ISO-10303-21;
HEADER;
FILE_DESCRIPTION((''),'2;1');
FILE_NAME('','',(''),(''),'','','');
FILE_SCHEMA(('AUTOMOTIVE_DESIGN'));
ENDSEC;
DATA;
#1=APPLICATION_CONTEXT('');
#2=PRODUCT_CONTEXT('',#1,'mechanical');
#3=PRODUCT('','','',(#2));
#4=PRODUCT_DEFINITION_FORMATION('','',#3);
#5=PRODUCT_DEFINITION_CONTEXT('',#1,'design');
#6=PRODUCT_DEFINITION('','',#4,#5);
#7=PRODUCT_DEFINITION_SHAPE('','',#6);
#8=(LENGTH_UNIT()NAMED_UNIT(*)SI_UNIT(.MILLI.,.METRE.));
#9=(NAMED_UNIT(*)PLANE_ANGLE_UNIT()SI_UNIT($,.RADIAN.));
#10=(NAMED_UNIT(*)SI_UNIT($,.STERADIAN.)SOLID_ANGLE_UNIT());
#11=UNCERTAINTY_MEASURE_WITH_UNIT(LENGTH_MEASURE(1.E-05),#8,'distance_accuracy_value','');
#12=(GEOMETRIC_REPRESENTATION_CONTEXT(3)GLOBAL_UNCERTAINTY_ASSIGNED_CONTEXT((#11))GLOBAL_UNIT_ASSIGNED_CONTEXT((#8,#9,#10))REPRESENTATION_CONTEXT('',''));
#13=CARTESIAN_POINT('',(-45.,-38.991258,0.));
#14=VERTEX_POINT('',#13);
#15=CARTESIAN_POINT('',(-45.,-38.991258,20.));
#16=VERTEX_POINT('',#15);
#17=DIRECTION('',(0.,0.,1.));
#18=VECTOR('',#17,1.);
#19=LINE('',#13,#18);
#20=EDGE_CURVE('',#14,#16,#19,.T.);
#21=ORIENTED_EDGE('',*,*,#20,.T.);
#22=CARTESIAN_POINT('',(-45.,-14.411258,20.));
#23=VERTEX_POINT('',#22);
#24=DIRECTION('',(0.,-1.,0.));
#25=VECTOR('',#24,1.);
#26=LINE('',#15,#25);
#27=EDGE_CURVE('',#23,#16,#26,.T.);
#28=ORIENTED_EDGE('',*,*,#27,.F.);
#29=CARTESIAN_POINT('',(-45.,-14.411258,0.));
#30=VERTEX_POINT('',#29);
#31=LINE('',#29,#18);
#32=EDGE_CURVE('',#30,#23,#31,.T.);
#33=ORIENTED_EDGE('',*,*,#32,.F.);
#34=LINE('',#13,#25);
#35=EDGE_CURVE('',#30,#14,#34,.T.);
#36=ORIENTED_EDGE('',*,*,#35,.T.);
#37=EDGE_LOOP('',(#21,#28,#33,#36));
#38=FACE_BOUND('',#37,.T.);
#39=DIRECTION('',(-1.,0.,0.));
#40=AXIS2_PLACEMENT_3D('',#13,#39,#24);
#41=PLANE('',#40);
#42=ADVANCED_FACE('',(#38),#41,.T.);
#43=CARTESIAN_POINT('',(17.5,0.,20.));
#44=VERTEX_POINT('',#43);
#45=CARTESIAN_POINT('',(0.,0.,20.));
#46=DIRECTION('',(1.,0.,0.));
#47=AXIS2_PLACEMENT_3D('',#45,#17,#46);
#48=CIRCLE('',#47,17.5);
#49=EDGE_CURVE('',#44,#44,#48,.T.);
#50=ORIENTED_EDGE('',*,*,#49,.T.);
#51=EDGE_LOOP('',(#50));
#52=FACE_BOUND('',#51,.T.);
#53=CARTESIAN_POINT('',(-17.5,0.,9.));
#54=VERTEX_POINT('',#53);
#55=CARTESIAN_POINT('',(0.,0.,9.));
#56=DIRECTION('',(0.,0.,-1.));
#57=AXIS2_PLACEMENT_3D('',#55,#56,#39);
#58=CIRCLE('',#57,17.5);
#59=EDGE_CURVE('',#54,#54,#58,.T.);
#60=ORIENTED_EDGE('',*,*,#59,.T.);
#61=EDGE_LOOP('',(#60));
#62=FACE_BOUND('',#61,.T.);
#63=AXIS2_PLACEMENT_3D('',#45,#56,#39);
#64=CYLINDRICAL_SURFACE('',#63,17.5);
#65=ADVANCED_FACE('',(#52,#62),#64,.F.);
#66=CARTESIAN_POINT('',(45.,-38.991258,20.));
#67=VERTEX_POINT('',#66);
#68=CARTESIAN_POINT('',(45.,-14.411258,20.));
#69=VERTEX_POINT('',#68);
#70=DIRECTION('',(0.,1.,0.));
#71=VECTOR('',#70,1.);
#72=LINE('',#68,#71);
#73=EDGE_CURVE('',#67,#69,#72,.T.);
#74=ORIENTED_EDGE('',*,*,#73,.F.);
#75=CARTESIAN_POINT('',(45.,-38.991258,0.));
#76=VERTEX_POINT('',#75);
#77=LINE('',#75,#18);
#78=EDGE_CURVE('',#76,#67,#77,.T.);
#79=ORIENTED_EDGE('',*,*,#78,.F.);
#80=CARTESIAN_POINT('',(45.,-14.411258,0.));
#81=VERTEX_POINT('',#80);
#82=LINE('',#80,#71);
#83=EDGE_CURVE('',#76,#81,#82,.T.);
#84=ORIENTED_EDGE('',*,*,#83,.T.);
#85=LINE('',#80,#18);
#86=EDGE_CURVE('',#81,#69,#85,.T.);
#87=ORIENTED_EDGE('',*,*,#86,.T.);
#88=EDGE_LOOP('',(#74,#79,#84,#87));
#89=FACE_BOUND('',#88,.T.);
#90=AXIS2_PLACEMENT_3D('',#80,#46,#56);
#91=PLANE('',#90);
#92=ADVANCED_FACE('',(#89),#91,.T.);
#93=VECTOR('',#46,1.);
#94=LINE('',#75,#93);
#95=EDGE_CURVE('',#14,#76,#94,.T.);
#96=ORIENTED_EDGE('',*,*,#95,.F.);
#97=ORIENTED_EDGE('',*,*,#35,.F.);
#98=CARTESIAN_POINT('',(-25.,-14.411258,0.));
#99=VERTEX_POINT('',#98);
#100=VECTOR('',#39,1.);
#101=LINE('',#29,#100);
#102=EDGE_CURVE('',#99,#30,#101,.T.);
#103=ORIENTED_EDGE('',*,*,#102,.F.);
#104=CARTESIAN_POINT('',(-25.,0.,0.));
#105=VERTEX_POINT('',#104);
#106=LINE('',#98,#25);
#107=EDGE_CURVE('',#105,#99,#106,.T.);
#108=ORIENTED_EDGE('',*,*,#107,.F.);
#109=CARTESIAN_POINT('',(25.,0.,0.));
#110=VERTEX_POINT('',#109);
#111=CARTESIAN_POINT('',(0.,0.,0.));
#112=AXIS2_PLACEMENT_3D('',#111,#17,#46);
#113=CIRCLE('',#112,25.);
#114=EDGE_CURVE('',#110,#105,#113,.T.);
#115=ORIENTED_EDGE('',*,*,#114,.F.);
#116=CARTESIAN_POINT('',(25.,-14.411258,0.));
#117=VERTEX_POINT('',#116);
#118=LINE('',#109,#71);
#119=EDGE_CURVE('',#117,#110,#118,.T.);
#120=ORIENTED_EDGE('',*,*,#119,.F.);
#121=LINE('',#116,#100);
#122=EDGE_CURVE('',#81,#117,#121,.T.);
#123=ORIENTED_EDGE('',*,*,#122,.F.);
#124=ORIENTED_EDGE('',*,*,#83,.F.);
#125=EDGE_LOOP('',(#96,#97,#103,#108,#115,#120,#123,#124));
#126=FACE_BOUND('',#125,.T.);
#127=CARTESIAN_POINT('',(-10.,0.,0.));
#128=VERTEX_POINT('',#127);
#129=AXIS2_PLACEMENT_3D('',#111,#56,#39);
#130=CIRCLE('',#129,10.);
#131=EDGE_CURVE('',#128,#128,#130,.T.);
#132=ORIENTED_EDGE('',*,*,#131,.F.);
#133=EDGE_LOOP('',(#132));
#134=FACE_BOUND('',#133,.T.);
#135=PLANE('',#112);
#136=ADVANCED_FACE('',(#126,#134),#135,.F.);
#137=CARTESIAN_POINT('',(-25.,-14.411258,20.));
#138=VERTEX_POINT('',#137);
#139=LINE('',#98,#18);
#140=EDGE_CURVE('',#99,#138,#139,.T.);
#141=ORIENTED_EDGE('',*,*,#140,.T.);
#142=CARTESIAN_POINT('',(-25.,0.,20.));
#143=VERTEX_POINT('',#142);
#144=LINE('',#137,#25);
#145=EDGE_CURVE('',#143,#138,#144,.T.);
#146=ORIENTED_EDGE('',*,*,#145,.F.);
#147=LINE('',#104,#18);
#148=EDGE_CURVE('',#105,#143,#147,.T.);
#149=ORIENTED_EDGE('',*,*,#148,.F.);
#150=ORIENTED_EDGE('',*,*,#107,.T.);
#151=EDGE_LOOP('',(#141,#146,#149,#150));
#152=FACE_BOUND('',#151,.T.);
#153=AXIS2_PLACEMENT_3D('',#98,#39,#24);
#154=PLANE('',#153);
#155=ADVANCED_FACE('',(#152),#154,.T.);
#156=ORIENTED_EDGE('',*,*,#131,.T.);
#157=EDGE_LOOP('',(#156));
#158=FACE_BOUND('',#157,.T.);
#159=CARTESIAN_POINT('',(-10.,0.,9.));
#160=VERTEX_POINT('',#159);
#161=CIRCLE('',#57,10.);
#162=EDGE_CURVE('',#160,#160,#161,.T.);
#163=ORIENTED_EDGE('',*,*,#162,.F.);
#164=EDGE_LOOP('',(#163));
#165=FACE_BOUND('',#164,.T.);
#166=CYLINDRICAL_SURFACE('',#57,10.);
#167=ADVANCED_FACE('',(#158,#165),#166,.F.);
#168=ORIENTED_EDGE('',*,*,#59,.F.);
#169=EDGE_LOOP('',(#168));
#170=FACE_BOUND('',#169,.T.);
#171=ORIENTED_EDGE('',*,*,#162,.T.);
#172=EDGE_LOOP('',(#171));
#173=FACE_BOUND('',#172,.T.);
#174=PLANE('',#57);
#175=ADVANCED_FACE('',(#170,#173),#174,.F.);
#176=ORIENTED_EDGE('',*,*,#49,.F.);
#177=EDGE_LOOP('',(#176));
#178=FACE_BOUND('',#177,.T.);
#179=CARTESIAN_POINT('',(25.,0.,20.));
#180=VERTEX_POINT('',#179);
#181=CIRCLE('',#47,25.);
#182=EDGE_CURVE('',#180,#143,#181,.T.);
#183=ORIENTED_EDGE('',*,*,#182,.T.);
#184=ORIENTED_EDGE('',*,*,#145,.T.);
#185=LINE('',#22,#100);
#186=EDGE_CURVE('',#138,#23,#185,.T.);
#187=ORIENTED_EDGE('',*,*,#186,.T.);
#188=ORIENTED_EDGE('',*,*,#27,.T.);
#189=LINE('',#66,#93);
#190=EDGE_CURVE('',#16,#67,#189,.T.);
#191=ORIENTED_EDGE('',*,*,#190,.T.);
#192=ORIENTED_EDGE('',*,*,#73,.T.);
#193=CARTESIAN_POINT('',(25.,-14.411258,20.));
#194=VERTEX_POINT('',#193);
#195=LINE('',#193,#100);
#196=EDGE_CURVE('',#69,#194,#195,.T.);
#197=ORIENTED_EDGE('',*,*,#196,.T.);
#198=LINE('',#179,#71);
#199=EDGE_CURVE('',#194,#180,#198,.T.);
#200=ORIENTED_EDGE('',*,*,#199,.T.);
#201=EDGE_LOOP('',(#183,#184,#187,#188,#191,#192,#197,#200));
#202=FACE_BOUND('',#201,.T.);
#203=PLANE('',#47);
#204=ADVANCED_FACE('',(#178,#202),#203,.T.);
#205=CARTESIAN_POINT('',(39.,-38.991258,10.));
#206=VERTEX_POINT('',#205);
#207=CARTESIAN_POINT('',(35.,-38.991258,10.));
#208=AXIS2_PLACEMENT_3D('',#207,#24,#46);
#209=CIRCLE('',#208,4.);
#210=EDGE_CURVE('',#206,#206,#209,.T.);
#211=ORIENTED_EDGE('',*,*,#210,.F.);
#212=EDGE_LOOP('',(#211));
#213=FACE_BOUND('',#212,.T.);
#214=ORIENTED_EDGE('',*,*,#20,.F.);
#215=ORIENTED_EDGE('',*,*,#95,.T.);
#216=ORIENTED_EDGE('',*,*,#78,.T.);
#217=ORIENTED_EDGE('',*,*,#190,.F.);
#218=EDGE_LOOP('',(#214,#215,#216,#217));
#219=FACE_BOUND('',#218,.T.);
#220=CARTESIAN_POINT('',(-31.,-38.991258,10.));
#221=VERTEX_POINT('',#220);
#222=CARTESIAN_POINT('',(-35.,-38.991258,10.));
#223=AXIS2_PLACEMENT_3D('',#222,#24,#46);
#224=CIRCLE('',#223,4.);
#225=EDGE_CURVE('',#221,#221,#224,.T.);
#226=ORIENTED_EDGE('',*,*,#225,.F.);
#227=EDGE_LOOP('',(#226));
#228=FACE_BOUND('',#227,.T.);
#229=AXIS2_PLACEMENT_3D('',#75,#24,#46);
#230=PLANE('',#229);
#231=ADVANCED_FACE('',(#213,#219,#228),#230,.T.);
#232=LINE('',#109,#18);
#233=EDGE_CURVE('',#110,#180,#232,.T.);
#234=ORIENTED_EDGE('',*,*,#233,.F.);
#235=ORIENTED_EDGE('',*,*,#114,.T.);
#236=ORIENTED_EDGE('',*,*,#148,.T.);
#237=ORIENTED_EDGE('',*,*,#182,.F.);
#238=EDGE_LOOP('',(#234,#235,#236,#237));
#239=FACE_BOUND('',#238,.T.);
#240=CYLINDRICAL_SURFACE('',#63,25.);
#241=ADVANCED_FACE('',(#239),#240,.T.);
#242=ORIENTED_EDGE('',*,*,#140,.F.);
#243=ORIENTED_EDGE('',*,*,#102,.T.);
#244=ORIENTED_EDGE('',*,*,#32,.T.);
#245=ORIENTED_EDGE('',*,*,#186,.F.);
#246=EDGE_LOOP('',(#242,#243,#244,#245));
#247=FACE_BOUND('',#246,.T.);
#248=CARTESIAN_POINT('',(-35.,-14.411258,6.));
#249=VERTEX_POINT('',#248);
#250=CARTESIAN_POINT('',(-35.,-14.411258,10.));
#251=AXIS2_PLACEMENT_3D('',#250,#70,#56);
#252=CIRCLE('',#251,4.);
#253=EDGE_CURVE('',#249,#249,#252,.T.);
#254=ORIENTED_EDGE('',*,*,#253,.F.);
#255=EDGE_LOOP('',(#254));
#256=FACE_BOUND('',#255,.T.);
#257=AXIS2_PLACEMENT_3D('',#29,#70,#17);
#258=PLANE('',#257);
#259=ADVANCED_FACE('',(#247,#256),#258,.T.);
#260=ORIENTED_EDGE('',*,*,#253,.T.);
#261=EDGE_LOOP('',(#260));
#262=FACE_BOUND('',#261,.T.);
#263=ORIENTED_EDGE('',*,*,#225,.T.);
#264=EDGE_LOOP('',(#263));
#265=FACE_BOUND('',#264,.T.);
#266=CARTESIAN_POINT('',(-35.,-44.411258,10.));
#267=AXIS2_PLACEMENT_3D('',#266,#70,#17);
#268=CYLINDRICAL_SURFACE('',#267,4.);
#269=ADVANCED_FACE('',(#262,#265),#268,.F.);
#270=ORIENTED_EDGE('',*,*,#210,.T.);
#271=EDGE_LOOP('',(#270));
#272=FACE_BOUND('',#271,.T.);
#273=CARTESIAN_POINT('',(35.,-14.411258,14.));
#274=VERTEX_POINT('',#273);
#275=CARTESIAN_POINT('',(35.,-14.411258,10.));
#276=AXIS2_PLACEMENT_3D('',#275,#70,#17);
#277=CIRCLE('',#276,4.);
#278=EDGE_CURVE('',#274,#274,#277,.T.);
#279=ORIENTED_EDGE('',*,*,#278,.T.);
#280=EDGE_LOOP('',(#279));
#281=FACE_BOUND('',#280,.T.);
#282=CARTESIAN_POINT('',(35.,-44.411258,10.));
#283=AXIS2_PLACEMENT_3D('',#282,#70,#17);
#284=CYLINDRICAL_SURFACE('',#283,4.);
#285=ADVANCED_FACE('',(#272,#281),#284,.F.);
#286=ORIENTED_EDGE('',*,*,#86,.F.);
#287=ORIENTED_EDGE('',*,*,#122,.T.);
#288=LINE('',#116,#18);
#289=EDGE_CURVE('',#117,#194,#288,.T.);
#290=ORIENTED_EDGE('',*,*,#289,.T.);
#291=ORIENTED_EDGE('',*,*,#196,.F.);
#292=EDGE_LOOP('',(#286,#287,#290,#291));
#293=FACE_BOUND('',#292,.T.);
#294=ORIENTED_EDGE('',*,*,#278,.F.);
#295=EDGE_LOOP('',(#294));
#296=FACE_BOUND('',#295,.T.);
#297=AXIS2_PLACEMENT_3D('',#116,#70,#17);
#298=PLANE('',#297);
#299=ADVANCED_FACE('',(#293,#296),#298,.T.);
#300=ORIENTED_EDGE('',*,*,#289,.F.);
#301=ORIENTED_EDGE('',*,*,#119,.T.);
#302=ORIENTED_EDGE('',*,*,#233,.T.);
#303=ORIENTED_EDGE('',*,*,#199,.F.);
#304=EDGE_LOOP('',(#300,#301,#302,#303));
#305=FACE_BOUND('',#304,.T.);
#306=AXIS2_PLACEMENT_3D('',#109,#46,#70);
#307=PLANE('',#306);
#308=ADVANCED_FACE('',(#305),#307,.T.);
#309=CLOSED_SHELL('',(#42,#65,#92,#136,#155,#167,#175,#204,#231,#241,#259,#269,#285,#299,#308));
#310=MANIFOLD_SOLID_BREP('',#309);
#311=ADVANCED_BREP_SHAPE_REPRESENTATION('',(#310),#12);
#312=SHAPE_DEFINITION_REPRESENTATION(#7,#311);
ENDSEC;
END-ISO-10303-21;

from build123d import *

# Parameters (mm, degrees)
SKETCH1_R           = 25
SKETCH1_R_2         = 17.5
BOSS_EXTRUDE1_DEPTH = 20
BOSS_EXTRUDE2_START = -20
BOSS_EXTRUDE2_DEPTH = 20
SKETCH3_R           = 20
SKETCH3_R_2         = 10
BOSS_EXTRUDE3_DEPTH = 9
SKETCH4_R           = 4
CUT_EXTRUDE1_DEPTH  = 30


with BuildPart() as part:
    # Sketch1 → Boss-Extrude1 (new body)
    with BuildSketch(Plane.XY):
        Circle(SKETCH1_R)
        Circle(SKETCH1_R_2, mode=Mode.SUBTRACT)
    extrude(amount=BOSS_EXTRUDE1_DEPTH)

    # Sketch2 → Boss-Extrude2 (add)
    with BuildSketch(Plane.XY.offset(20).offset(BOSS_EXTRUDE2_START)):
        with BuildLine():
            Line((25, 0), (25, -14.411258269))
            Line((25, -14.411258269), (45, -14.411258269))
            Line((45, -14.411258269), (45, -38.991258269))
            Line((45, -38.991258269), (-45, -38.991258269))
            Line((-45, -38.991258269), (-45, -14.411258269))
            Line((-45, -14.411258269), (-25, -14.411258269))
            Line((-25, -14.411258269), (-25, 0))
            ThreePointArc((-25, 0), (0, -25), (25, 0))
        make_face()
    extrude(amount=BOSS_EXTRUDE2_DEPTH)

    # Sketch3 → Boss-Extrude3 (add)
    with BuildSketch(Plane(origin=(0, 0, 0), x_dir=(-1, 0, 0), z_dir=(0, 0, -1))):
        Circle(SKETCH3_R)
        Circle(SKETCH3_R_2, mode=Mode.SUBTRACT)
    extrude(amount=-BOSS_EXTRUDE3_DEPTH)

    # Sketch4 → Cut-Extrude1 (cut)
    with BuildSketch(Plane(origin=(0, -14.411258269, 0), x_dir=(1, 0, 0), z_dir=(0, 1, 0))):
        with Locations(Location((35, -10, 0), (0, 0, 270))):
            Circle(SKETCH4_R)
        with Locations((-35, -10)):
            Circle(SKETCH4_R)
    extrude(amount=-CUT_EXTRUDE1_DEPTH, mode=Mode.SUBTRACT)


solid = part.part
